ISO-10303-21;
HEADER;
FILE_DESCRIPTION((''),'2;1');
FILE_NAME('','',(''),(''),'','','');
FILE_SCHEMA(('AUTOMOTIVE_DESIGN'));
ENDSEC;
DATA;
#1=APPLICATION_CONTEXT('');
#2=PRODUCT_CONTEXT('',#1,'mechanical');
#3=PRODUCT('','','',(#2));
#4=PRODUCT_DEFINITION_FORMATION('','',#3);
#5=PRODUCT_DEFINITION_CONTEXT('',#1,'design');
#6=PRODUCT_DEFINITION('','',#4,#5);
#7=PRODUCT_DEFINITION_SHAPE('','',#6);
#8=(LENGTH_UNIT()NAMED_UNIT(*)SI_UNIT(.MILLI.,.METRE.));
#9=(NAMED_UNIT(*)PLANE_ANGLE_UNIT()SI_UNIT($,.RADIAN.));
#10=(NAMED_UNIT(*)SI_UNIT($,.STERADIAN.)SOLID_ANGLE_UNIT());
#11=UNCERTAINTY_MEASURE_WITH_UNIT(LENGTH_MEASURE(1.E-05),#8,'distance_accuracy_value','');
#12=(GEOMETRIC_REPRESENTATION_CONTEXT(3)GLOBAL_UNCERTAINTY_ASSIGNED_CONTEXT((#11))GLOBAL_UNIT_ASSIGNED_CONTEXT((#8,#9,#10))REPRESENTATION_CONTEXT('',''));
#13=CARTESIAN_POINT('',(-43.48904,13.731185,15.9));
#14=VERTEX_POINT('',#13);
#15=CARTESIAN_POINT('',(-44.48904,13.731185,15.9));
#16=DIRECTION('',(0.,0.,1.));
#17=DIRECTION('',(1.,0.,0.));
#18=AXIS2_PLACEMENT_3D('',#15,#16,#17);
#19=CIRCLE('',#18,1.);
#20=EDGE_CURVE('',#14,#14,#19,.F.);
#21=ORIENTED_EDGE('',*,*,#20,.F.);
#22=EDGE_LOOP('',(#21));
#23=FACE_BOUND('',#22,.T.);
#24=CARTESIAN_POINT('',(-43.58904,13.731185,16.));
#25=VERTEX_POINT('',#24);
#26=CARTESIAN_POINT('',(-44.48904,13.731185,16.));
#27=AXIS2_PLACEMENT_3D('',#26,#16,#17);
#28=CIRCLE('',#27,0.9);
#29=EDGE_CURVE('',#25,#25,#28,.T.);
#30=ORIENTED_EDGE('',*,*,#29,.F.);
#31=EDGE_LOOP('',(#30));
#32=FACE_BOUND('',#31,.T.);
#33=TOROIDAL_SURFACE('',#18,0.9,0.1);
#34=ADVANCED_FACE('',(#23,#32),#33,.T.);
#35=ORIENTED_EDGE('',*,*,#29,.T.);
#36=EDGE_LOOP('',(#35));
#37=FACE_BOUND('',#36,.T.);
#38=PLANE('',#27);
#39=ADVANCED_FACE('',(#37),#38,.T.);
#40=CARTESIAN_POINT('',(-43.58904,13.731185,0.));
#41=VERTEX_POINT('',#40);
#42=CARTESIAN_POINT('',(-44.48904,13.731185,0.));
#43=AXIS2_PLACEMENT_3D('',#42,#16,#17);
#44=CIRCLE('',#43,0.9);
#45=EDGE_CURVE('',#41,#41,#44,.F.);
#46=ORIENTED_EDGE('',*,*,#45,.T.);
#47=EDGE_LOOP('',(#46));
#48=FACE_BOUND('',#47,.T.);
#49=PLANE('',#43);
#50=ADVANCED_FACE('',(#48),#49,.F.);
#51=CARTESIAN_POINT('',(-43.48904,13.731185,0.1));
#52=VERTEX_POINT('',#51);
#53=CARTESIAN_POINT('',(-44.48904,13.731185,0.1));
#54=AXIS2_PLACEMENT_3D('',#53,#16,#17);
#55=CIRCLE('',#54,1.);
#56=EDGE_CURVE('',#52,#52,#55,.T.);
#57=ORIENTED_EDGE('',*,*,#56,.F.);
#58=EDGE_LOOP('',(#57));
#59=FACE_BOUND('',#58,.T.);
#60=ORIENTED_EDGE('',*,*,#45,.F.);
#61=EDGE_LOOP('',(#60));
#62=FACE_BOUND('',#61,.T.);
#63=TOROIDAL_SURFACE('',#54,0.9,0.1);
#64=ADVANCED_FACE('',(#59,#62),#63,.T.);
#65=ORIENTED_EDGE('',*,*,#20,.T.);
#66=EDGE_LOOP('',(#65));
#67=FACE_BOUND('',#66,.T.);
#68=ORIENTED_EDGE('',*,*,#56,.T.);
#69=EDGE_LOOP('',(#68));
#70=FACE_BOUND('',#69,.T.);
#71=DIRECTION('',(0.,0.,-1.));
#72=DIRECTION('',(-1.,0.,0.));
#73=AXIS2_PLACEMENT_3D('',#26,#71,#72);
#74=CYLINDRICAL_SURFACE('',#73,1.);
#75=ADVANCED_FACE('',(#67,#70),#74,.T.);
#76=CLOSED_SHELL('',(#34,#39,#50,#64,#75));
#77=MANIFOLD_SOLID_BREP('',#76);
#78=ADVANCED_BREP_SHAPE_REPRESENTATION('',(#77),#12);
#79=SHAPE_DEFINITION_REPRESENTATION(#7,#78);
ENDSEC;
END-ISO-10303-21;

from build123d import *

# Parameters (mm, degrees)
SKETCH2_R           = 1
BOSS_EXTRUDE2_DEPTH = 16
FILLET1_R           = 0.1


with BuildPart() as part:
    # Sketch2 → Boss-Extrude2 (new body)
    with BuildSketch(Plane.XY):
        with Locations((-44.489039644, 13.731185075)):
            Circle(SKETCH2_R)
    extrude(amount=BOSS_EXTRUDE2_DEPTH)

    # Fillet1
    fillet1_edges = [part.edges().sort_by_distance(p)[0] for p in [
        (-45.489039644, 13.731185075, 0),
        (-45.489039644, 13.731185075, 16),
    ]]
    fillet(fillet1_edges, radius=FILLET1_R)


solid = part.part
